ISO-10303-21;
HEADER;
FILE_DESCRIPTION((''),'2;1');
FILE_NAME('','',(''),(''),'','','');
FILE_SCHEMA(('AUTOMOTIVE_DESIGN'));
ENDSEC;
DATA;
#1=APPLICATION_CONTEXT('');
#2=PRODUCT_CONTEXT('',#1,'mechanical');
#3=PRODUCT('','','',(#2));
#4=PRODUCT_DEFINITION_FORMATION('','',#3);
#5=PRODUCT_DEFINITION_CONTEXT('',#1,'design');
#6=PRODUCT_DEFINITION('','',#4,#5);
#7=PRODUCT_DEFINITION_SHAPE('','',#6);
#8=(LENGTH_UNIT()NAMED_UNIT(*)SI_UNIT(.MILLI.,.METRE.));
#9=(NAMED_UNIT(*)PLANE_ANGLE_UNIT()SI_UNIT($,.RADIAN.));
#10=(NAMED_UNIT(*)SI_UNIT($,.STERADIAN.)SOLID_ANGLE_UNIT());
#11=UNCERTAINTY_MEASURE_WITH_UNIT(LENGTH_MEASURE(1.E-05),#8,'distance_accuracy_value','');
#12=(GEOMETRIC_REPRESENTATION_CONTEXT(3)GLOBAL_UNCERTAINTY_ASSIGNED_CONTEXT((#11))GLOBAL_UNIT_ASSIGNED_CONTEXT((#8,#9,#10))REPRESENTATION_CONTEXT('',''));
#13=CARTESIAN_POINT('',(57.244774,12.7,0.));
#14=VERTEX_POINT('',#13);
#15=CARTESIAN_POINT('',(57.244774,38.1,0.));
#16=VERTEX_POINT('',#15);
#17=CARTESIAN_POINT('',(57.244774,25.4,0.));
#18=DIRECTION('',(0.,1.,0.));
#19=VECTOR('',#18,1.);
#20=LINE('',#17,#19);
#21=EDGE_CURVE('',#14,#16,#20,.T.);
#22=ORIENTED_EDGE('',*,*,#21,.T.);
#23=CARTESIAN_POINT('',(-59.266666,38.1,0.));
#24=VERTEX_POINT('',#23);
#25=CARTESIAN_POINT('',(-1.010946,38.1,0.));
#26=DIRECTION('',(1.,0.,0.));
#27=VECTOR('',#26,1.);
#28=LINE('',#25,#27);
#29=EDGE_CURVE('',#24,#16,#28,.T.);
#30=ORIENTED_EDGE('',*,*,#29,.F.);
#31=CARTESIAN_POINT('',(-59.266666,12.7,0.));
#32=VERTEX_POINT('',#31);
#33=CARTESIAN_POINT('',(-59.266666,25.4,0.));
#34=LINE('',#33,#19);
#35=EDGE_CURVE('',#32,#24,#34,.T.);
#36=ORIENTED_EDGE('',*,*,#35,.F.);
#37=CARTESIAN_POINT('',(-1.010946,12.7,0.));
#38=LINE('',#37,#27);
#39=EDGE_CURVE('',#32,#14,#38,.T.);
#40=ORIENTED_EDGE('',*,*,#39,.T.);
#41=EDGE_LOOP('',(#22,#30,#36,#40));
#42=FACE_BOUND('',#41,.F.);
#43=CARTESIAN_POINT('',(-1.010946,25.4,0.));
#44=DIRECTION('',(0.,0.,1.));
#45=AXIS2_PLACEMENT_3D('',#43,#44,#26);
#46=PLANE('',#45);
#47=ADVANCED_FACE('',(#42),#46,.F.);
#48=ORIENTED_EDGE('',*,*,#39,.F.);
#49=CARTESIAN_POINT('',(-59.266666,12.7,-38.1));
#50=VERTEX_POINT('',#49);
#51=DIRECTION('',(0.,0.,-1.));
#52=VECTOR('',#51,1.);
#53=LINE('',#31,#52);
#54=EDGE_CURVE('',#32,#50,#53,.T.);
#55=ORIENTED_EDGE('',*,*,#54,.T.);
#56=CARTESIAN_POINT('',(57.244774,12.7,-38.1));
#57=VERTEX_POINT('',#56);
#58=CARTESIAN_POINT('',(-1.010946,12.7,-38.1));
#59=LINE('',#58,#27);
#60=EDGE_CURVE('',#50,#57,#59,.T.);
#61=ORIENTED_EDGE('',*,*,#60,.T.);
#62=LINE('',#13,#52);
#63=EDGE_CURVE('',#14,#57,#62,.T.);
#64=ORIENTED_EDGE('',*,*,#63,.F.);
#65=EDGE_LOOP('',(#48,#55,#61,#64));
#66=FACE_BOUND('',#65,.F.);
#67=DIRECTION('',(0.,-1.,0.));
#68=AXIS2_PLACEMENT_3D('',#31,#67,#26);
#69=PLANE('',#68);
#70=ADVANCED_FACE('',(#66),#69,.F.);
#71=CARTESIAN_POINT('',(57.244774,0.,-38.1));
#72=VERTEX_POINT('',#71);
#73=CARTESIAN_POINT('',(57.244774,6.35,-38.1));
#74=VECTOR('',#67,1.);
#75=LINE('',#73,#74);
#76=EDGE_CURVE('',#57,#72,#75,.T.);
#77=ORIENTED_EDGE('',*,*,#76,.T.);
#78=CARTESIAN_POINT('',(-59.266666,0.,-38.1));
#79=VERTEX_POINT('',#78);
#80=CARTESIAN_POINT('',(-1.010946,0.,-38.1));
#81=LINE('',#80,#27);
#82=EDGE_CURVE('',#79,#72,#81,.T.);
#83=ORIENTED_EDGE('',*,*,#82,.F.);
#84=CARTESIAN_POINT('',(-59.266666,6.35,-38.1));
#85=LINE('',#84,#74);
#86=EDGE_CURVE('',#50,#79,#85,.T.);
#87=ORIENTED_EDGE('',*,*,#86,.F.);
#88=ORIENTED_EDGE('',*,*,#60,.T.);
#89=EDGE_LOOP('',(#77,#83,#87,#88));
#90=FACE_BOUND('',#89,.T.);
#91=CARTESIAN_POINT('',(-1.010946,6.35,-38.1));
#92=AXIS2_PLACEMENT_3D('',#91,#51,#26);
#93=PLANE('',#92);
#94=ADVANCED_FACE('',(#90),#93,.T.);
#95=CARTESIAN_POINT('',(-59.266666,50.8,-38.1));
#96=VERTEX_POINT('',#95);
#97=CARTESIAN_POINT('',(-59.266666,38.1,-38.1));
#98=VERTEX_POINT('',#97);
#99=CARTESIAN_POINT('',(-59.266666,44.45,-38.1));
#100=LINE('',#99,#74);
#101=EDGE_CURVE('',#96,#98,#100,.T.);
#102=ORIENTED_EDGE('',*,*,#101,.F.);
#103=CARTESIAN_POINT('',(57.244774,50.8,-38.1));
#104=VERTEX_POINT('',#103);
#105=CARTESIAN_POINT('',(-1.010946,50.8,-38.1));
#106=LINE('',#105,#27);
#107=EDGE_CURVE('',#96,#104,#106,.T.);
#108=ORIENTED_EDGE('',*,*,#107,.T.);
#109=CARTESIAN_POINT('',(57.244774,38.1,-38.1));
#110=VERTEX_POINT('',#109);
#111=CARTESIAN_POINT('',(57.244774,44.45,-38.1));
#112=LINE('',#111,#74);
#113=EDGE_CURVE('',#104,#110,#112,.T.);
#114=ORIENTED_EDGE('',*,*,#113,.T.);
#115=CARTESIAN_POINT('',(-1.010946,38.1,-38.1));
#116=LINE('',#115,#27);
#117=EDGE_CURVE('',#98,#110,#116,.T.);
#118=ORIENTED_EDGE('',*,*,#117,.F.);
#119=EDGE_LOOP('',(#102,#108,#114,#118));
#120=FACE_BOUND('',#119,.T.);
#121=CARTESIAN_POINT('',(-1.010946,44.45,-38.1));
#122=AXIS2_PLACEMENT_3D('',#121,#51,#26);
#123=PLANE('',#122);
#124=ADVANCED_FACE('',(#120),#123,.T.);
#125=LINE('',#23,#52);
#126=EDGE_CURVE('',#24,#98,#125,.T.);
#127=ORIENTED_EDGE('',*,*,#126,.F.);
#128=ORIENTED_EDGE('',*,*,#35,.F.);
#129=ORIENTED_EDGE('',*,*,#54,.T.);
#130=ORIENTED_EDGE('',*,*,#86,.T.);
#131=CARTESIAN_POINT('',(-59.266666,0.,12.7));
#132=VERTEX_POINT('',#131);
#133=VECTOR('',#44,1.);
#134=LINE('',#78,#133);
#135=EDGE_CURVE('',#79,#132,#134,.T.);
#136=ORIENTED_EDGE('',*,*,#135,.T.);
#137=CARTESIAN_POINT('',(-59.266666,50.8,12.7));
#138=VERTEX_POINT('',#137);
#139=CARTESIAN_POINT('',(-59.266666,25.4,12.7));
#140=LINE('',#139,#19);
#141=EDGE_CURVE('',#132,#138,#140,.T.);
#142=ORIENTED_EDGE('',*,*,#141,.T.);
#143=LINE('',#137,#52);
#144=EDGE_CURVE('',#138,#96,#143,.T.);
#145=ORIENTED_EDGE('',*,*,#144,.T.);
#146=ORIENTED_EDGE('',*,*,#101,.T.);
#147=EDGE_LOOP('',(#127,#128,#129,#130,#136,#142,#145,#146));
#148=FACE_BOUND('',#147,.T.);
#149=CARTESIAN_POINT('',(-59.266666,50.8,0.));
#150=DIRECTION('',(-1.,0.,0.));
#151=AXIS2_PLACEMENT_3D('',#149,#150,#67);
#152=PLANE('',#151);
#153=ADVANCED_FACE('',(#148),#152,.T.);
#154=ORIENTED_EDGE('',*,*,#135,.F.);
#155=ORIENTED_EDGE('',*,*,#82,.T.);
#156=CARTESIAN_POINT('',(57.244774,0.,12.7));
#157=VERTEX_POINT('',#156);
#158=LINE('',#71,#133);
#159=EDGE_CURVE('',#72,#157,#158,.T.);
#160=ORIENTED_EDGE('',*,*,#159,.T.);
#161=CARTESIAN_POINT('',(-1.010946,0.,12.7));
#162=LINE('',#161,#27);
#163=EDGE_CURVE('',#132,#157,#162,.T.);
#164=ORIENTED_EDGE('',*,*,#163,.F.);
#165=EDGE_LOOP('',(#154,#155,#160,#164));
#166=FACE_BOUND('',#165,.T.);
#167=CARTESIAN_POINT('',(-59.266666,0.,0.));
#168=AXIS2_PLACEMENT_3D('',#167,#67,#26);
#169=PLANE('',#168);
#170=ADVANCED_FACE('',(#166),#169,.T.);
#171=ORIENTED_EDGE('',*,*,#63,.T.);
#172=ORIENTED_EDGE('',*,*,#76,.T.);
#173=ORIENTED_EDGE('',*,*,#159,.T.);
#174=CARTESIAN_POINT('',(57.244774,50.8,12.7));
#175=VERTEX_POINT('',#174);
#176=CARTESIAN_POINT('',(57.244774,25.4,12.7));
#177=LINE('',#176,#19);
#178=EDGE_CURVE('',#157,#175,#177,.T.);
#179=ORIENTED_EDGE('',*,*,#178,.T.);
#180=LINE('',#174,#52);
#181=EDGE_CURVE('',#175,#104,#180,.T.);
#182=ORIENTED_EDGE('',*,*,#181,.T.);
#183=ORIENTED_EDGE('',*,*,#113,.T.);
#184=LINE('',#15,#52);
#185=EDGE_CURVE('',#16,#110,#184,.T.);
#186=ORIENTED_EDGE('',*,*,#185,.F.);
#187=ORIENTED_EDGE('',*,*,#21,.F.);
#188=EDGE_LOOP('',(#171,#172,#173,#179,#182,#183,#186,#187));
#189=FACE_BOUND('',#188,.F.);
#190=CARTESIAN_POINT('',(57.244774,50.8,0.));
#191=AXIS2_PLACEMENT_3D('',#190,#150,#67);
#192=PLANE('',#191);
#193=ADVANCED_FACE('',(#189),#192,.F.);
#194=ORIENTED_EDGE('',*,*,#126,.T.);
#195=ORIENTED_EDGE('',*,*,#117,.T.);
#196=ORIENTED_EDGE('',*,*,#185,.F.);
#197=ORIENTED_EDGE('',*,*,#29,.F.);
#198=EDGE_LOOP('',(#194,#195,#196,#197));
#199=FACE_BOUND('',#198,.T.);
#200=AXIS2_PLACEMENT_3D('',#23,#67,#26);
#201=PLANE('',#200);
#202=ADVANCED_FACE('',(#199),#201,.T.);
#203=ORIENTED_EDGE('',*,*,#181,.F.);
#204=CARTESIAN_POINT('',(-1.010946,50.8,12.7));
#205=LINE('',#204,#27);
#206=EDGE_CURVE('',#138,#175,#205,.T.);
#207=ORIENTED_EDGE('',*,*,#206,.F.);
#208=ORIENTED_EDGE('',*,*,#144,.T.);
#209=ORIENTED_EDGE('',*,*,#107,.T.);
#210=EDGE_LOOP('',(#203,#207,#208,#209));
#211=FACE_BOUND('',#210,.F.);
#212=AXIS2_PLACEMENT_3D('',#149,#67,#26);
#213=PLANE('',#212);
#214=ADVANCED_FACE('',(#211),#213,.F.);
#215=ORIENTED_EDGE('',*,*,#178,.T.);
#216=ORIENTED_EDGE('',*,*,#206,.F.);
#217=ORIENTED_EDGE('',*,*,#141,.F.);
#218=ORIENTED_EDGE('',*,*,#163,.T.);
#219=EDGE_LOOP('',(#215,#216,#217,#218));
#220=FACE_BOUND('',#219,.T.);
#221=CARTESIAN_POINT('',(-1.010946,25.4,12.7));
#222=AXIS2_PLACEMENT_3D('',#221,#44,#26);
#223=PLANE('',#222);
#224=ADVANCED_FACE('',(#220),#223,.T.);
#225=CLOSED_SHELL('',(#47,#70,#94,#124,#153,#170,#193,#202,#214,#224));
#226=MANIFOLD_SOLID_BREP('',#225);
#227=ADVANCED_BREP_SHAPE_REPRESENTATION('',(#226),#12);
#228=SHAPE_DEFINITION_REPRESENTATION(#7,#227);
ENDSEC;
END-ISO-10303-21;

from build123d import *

# Parameters (mm, degrees)
F0_W     = 116.511441
F0_H     = 50.8
F1_DEPTH = 12.7
F2_W     = 116.511441
F2_H     = 12.7
F3_DEPTH = 38.1
F4_W     = 116.511441
F4_H     = 12.7
F5_DEPTH = 38.1


with BuildPart() as f1:
    # F0 (on Top) → F1 (new body)
    with BuildSketch(Plane.XY):
        with Locations((-1.010946, 25.4)):
            Rectangle(F0_W, F0_H)
    extrude(amount=F1_DEPTH)

    # F2 (on face) → F3 (join)
    with BuildSketch(Plane(origin=(0, 0, 0), x_dir=(1, 0, 0), z_dir=(0, 0, -1))):
        with Locations((-1.010946, -6.35)):
            Rectangle(F2_W, F2_H)
    extrude(amount=F3_DEPTH)

    # F4 (on face) → F5 (join)
    with BuildSketch(Plane(origin=(0, 0, 0), x_dir=(1, 0, 0), z_dir=(0, 0, -1))):
        with Locations((-1.010946, -44.45)):
            Rectangle(F4_W, F4_H)
    extrude(amount=F5_DEPTH)


solid = f1.part
